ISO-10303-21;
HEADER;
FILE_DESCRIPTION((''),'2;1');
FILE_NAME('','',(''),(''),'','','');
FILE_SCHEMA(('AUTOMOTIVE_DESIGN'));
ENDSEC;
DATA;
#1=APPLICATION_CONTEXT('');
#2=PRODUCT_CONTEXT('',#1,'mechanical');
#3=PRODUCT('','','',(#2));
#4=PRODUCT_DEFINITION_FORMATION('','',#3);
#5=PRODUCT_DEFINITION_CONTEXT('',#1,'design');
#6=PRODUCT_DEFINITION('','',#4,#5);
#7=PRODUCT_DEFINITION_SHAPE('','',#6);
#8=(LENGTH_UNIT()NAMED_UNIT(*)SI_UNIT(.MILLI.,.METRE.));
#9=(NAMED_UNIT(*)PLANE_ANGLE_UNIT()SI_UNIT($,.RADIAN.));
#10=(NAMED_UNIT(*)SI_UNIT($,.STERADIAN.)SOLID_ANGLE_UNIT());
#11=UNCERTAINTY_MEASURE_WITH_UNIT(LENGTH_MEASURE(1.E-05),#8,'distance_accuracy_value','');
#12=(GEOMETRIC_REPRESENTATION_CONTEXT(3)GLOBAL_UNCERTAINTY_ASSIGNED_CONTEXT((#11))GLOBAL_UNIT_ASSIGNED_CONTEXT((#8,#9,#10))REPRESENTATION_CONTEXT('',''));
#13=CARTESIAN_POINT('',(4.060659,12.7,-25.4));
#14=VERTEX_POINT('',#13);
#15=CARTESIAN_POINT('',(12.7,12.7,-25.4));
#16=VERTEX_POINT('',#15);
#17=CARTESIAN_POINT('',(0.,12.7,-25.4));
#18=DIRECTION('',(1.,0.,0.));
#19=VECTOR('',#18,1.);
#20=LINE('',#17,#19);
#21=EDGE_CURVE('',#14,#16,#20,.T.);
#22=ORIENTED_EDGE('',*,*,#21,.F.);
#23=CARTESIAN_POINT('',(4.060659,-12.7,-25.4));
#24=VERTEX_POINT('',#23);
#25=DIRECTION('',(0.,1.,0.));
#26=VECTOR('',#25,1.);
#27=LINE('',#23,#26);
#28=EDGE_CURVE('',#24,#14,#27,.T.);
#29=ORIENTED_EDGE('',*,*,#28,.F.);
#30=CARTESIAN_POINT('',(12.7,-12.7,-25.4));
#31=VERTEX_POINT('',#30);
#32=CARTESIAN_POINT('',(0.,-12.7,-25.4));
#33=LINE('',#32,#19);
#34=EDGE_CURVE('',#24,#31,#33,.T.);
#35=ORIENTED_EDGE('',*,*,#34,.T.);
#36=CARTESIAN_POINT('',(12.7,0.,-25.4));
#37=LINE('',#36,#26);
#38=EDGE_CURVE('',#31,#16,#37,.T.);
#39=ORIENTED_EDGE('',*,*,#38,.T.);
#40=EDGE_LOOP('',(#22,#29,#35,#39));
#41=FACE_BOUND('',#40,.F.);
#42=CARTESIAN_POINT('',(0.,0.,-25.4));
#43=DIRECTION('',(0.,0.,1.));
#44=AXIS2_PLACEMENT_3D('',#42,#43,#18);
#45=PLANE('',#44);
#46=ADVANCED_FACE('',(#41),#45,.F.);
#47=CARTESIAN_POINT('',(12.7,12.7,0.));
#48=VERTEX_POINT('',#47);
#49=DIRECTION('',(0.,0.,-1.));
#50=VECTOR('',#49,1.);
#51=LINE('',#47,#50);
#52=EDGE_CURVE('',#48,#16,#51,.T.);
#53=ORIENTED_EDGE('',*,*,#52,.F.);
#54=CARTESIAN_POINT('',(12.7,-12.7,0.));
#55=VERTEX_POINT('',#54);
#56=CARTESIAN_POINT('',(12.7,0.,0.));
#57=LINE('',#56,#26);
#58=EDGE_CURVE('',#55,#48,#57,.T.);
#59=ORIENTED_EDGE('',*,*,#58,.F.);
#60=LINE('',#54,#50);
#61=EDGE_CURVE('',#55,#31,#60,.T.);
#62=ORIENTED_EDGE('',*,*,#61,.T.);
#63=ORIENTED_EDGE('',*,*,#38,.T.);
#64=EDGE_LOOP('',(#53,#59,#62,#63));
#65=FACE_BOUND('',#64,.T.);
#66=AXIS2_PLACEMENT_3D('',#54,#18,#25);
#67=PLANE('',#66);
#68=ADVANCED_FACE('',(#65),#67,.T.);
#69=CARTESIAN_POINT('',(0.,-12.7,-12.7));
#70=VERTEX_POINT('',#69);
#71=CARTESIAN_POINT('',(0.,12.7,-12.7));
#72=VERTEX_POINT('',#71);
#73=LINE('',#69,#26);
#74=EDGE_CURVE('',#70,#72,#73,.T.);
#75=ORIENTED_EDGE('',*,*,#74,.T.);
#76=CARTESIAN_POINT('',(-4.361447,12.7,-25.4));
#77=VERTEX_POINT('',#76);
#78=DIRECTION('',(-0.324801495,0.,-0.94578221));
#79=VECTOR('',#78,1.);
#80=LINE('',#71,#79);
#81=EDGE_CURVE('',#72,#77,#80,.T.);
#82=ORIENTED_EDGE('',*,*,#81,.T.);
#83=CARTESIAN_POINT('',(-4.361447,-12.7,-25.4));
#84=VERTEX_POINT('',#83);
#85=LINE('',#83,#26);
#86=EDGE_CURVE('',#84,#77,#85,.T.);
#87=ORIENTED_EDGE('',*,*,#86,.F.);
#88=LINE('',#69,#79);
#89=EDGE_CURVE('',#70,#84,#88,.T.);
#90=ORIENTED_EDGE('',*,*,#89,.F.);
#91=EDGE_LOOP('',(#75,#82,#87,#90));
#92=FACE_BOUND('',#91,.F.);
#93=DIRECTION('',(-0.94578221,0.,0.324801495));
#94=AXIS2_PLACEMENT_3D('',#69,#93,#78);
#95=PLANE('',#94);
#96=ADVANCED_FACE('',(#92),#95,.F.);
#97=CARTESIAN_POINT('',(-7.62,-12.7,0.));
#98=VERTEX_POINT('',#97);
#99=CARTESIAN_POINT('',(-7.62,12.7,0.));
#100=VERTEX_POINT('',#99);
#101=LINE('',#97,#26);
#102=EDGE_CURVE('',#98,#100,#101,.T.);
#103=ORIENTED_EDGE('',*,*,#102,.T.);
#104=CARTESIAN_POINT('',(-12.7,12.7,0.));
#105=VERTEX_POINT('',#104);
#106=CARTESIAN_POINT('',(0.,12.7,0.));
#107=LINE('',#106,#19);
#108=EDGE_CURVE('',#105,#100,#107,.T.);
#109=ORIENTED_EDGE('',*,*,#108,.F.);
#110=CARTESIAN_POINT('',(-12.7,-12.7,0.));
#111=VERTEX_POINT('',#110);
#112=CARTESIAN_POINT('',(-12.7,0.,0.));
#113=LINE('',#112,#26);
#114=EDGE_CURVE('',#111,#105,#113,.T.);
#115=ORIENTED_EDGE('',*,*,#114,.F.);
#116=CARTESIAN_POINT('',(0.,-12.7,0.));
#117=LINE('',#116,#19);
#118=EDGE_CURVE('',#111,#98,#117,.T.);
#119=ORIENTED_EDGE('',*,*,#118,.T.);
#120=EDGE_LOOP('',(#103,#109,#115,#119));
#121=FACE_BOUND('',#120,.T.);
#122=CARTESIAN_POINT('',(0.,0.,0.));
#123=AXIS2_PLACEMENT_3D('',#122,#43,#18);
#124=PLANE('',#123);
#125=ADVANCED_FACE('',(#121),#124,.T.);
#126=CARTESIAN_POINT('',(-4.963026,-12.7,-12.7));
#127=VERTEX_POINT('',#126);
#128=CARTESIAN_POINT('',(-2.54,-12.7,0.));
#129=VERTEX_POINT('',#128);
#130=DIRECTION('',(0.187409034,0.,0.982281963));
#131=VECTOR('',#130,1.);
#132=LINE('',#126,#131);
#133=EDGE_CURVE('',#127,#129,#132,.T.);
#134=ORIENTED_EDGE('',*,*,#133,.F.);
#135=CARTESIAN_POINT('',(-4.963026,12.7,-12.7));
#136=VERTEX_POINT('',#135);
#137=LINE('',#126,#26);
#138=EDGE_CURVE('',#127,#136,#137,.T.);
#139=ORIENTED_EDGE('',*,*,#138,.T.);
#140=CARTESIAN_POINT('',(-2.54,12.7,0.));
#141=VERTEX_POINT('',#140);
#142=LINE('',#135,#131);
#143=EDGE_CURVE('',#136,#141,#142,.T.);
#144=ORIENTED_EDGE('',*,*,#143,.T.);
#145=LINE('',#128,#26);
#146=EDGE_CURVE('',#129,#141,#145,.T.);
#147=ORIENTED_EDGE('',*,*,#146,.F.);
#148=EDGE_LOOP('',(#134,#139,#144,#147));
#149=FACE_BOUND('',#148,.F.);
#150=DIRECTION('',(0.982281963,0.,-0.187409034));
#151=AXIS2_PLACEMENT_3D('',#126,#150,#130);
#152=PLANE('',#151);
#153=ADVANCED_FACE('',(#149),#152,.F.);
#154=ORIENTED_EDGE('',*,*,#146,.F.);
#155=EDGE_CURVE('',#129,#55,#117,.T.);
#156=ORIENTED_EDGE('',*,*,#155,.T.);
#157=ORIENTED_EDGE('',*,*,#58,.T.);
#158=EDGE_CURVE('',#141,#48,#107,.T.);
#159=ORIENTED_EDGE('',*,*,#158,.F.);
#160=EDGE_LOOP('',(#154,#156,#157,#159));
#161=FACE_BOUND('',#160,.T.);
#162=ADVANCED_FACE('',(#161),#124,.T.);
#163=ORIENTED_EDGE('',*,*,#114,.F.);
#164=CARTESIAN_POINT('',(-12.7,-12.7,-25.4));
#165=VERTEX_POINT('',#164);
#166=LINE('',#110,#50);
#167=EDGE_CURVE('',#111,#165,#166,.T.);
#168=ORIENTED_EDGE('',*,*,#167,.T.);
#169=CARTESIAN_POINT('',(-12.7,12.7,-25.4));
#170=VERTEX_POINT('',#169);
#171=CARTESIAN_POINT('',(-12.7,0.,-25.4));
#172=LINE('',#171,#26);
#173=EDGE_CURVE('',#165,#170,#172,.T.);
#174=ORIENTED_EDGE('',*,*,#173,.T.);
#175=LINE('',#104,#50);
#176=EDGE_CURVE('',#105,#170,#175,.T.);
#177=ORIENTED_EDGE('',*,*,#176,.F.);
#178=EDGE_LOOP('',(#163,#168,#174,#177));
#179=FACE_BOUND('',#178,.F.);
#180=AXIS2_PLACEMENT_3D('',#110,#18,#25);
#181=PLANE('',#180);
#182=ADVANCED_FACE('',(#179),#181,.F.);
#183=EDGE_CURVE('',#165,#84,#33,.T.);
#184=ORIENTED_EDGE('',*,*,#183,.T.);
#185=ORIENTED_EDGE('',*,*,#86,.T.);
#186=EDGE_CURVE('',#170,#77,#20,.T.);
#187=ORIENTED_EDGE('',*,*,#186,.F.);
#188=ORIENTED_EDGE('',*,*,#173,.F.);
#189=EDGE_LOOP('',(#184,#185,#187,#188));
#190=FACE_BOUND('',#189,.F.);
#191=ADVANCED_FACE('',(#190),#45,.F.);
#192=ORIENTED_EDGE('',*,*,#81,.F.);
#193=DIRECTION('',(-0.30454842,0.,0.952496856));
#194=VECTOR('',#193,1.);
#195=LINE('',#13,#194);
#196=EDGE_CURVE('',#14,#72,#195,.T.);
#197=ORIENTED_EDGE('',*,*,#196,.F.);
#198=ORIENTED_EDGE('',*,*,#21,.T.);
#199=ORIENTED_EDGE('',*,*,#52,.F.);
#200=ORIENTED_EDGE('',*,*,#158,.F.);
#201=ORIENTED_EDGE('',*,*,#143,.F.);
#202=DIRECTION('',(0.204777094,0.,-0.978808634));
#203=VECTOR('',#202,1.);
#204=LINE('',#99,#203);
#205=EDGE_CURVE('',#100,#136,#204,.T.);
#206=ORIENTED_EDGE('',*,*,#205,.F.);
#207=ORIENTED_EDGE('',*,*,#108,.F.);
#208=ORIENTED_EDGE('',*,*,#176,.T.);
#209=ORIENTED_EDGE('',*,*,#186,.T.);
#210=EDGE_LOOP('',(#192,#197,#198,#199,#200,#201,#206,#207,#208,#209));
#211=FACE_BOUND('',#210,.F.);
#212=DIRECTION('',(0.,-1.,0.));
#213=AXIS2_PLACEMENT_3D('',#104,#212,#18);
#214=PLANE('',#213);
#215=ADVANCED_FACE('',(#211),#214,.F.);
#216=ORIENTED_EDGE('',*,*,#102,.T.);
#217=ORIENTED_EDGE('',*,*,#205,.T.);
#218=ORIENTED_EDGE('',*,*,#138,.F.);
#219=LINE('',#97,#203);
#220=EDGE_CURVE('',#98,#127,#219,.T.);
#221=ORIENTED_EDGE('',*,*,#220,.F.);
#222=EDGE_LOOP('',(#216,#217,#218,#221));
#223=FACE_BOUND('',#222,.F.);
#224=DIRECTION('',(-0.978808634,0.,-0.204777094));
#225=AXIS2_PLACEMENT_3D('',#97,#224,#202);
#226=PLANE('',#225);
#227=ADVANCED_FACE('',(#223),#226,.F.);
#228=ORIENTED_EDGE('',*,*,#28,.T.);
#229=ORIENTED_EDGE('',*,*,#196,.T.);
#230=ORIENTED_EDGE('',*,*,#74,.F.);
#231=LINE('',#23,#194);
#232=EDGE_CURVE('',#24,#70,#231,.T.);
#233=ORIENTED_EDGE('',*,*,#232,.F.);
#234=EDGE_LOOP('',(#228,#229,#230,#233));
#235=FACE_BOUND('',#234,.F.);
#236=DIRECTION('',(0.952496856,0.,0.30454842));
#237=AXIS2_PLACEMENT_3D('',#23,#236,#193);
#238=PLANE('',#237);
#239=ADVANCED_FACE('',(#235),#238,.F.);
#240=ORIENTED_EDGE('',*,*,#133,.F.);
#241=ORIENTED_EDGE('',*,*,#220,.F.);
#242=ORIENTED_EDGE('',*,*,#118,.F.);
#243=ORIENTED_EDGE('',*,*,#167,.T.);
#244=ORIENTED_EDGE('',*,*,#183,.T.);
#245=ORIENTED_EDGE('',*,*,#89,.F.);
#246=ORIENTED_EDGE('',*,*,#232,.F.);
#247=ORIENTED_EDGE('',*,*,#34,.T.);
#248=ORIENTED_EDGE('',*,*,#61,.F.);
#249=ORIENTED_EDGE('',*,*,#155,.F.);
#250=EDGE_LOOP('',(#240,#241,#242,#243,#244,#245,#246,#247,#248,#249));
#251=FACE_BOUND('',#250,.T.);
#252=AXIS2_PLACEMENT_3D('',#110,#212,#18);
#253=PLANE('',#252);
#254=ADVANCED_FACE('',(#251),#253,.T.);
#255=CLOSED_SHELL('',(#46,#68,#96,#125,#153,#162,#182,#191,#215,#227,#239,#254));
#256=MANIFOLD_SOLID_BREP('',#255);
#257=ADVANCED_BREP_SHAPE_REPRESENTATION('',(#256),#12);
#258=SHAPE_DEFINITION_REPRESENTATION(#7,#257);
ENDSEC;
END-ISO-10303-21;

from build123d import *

# Parameters (mm, degrees)
F0_W     = 25.4
F0_H     = 25.4
F1_DEPTH = 25.4
F3_DEPTH = 25.4
F5_DEPTH = 25.4


with BuildPart() as f1:
    # F0 (on Top) → F1 (new body)
    with BuildSketch(Plane.XY):
        Rectangle(F0_W, F0_H)
    extrude(amount=-F1_DEPTH)

    # F2 (on face) → F3 (cut)
    with BuildSketch(Plane.XZ.offset(12.7)):
        Polygon((0, -12.7), (-4.361447, -25.4), (4.060659, -25.4), align=None)
    extrude(amount=-F3_DEPTH, mode=Mode.SUBTRACT)

    # F4 (on face) → F5 (cut)
    with BuildSketch(Plane.XZ.offset(12.7)):
        Polygon((-2.54, 0), (-7.62, 0), (-4.963026, -12.7), align=None)
    extrude(amount=-F5_DEPTH, mode=Mode.SUBTRACT)


solid = f1.part
